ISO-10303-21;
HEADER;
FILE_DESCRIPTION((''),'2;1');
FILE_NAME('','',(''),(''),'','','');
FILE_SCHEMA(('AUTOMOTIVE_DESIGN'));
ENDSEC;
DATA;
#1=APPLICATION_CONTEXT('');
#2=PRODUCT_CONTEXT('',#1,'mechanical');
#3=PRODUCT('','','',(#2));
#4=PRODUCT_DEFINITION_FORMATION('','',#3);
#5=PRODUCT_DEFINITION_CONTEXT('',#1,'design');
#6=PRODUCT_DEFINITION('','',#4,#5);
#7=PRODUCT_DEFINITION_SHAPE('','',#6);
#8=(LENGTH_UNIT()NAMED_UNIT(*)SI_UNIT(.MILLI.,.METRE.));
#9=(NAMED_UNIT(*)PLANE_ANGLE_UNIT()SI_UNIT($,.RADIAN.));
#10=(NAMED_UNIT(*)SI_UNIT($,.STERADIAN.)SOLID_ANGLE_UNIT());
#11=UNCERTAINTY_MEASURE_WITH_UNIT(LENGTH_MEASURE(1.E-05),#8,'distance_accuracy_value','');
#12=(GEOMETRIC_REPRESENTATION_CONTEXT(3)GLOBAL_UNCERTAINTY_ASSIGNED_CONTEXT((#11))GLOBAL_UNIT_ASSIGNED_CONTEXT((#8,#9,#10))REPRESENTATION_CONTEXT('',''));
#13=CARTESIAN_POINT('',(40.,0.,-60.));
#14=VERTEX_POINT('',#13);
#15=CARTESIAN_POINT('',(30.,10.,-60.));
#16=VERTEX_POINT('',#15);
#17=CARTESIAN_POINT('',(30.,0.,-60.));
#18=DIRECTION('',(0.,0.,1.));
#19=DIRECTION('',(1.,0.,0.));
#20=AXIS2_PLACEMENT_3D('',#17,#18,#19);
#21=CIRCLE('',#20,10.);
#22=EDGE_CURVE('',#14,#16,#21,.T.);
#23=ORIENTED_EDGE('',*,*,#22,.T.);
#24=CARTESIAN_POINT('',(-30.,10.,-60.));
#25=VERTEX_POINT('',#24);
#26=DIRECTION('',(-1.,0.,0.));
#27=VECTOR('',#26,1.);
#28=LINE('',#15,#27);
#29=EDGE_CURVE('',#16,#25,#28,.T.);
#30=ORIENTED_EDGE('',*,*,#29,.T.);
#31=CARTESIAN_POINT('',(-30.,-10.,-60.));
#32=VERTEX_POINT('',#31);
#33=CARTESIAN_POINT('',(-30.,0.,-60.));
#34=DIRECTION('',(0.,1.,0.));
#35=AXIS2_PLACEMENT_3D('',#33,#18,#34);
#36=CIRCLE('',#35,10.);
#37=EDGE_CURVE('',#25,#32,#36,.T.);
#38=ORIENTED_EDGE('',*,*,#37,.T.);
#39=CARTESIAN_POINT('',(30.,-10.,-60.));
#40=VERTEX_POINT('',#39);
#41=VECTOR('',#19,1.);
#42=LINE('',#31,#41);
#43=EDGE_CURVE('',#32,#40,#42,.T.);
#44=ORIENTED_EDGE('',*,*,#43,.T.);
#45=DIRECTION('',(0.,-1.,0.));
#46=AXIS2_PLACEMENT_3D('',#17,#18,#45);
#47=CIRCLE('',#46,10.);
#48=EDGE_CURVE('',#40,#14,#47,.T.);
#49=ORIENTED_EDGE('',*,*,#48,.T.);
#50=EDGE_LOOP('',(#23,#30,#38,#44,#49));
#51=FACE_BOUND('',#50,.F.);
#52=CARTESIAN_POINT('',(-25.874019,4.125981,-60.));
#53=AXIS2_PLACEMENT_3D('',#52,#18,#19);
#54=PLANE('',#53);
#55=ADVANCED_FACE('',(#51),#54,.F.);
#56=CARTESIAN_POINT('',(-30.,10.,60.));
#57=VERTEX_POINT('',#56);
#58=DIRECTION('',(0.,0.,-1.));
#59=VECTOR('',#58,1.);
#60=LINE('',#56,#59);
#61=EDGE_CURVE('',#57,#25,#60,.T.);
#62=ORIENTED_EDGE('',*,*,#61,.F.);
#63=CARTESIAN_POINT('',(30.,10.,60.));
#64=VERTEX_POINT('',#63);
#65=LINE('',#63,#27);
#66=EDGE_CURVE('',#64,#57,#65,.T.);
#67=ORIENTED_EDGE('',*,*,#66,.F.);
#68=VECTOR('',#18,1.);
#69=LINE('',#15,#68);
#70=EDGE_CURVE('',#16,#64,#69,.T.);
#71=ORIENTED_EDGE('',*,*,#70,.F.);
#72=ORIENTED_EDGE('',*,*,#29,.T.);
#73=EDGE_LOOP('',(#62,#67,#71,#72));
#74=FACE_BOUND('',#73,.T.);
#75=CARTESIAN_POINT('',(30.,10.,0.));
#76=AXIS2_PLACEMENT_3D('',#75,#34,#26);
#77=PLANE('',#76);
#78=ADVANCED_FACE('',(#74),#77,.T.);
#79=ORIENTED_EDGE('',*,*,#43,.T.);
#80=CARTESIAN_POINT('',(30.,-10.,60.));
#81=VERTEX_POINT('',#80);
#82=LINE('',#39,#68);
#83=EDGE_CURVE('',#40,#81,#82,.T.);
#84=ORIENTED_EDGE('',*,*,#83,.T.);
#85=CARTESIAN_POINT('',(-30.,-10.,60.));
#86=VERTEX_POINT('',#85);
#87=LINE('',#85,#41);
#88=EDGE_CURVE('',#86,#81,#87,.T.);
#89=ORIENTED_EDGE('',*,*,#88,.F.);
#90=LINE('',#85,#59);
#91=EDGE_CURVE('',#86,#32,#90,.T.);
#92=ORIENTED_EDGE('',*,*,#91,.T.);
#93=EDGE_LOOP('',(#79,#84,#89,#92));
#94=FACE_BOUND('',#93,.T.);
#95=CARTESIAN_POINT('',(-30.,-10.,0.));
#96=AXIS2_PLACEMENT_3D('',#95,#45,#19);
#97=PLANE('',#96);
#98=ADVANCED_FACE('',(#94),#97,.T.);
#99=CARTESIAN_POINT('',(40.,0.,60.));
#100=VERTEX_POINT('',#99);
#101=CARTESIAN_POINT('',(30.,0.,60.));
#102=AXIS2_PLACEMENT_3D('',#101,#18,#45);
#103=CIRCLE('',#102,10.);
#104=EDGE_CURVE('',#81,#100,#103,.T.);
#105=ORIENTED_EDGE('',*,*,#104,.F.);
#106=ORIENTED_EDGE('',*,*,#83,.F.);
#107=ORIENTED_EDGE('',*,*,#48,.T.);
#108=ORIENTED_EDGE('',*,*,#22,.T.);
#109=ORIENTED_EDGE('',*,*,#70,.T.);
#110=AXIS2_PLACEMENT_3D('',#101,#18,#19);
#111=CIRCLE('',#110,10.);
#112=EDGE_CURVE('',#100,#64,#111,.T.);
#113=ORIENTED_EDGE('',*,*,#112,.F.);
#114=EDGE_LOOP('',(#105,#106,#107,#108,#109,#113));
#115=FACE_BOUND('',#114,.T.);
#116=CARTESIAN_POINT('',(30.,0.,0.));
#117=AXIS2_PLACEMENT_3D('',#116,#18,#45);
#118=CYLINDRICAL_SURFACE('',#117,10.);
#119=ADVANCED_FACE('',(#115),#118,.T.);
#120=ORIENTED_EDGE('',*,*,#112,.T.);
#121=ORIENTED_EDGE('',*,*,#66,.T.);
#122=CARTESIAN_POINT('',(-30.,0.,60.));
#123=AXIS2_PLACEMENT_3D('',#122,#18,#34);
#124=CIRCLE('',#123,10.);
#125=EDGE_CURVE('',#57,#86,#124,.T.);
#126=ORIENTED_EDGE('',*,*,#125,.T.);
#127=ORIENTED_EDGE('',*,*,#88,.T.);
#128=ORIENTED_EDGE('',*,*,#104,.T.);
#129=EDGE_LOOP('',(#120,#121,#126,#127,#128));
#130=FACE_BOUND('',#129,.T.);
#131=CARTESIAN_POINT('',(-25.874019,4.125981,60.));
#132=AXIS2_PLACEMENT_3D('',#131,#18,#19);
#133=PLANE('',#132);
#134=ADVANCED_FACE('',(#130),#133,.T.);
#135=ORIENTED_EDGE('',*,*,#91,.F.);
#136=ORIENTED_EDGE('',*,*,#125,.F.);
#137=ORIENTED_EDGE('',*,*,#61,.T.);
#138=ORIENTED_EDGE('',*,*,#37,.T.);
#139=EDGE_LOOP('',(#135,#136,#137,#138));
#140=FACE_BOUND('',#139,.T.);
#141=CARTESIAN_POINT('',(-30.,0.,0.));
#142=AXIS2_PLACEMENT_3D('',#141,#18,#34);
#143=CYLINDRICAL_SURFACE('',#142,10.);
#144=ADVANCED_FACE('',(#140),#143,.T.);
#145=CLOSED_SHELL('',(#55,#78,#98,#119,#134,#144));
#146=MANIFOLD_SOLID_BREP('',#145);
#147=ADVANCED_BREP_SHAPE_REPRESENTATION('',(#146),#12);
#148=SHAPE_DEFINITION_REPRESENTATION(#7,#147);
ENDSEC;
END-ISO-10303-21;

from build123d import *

# Parameters (mm, degrees)
F1_DEPTH = 60


with BuildPart() as f1:
    # F0 (on Top) → F1 (new body, symmetric)
    with BuildSketch(Plane.XY):
        with BuildLine():
            ThreePointArc((-20, 0), (-22.9289321881, 7.0710678119), (-30, 10))
            Line((-30, 10), (-30, 0))
            Line((-30, 0), (-20, 0))
        make_face()
        with BuildLine():
            Line((30, 10), (-30, 10))
            ThreePointArc((-30, 10), (-22.9289321881, 7.0710678119), (-20, 0))
            Line((-20, 0), (20, 0))
            ThreePointArc((20, 0), (22.9289321881, 7.0710678119), (30, 10))
        make_face()
        with BuildLine():
            Line((-30, 0), (-30, 10))
            ThreePointArc((-30, 10), (-40, 0), (-30, -10))
            Line((-30, -10), (-30, 0))
        make_face()
        with BuildLine():
            ThreePointArc((40, 0), (37.0710678119, 7.0710678119), (30, 10))
            Line((30, 10), (30, 0))
            Line((30, 0), (30, -10))
            ThreePointArc((30, -10), (37.0710678119, -7.0710678119), (40, 0))
        make_face()
        with BuildLine():
            Line((30, 0), (30, 10))
            ThreePointArc((30, 10), (22.9289321881, 7.0710678119), (20, 0))
            Line((20, 0), (30, 0))
        make_face()
        with BuildLine():
            Line((-20, 0), (-30, 0))
            Line((-30, 0), (-30, -10))
            ThreePointArc((-30, -10), (-22.9289321881, -7.0710678119), (-20, 0))
        make_face()
        with BuildLine():
            Line((20, 0), (-20, 0))
            ThreePointArc((-20, 0), (-22.9289321881, -7.0710678119), (-30, -10))
            Line((-30, -10), (30, -10))
            ThreePointArc((30, -10), (22.9289321881, -7.0710678119), (20, 0))
        make_face()
        with BuildLine():
            Line((30, -10), (30, 0))
            Line((30, 0), (20, 0))
            ThreePointArc((20, 0), (22.9289321881, -7.0710678119), (30, -10))
        make_face()
    extrude(amount=F1_DEPTH, both=True)


solid = f1.part
